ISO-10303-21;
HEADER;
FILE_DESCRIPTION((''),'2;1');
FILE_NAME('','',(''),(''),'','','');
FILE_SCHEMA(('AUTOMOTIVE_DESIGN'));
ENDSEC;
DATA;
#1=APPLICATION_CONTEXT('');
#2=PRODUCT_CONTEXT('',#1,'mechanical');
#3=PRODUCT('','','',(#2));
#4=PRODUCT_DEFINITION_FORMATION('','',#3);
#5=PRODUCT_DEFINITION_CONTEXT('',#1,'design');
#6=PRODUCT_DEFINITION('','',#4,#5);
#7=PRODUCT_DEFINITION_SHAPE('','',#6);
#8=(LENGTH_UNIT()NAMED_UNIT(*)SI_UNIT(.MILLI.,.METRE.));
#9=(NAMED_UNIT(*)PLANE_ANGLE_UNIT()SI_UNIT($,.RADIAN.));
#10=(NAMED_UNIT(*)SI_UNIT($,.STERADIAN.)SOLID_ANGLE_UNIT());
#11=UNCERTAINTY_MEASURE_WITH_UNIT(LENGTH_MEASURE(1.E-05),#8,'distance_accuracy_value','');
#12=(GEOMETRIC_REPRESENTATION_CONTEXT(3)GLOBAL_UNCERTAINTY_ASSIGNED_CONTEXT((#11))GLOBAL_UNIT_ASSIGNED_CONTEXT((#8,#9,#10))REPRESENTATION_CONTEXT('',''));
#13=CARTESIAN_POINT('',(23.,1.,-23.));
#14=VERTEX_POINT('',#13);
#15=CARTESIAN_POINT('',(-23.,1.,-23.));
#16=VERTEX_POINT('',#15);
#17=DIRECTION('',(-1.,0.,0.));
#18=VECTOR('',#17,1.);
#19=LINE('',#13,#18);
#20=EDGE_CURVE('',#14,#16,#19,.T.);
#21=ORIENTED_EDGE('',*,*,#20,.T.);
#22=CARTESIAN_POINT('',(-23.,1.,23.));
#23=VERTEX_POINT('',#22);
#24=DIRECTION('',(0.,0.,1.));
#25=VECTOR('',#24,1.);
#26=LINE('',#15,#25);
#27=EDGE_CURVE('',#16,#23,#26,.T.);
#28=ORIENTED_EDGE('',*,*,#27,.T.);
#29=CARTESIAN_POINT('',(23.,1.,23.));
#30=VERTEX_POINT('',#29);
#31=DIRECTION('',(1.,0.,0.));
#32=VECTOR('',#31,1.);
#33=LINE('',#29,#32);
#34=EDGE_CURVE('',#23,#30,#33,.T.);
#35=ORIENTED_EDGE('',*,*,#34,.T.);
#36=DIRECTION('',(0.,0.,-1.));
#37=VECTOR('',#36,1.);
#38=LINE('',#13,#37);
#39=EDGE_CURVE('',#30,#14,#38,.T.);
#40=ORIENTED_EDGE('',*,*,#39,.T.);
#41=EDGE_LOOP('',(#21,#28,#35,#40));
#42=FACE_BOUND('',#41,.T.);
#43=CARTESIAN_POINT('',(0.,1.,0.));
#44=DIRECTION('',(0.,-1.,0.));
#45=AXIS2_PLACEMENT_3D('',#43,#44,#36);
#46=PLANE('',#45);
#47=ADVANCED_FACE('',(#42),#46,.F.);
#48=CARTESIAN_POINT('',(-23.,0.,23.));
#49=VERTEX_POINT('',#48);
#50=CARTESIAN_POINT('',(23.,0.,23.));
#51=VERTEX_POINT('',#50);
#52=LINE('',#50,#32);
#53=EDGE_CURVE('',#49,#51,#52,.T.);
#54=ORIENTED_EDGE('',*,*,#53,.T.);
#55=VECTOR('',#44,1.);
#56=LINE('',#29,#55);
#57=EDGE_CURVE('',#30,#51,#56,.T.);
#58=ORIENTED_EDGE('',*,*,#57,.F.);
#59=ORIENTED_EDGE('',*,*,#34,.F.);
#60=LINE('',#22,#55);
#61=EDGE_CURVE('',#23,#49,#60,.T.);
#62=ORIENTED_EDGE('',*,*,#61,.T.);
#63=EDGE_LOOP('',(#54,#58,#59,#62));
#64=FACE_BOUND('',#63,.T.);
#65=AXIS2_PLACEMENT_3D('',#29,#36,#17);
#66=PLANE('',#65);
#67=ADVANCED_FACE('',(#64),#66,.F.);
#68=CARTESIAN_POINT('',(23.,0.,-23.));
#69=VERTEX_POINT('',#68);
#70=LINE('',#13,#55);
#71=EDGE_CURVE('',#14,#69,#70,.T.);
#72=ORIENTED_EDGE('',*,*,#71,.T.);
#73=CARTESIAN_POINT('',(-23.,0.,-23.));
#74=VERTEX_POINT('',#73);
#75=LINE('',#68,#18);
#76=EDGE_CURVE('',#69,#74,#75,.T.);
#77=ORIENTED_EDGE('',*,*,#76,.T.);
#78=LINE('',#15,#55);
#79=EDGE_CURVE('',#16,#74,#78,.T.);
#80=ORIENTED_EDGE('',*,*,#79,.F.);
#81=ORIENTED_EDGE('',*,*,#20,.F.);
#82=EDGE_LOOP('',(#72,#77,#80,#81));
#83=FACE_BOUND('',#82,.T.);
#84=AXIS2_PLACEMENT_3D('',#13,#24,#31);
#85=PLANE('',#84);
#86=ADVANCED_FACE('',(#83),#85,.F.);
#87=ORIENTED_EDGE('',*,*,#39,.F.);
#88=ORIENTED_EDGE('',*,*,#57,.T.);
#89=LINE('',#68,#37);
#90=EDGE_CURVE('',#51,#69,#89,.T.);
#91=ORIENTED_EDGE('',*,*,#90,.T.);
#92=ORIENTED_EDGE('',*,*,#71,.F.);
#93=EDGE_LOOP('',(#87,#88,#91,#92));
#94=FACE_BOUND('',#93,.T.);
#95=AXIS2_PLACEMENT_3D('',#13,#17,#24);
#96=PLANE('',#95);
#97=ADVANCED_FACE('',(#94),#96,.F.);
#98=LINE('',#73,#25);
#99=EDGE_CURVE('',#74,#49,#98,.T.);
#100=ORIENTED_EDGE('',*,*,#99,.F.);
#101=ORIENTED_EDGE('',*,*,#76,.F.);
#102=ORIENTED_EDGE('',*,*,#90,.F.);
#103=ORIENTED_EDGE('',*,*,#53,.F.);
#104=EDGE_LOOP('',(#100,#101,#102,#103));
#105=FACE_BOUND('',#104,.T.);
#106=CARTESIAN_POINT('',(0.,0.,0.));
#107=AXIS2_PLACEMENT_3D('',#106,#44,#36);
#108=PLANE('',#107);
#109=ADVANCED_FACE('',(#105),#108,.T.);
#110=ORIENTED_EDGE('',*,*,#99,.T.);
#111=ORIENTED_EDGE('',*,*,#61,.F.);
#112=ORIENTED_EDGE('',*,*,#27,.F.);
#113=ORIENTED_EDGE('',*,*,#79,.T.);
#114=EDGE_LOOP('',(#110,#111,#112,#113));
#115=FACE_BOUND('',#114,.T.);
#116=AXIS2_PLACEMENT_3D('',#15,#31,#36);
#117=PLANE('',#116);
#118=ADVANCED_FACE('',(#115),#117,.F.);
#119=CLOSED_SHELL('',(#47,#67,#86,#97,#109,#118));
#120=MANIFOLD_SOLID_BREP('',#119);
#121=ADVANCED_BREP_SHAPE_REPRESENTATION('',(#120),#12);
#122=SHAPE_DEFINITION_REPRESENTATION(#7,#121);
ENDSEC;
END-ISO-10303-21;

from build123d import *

# Parameters (mm, degrees)
SKETCH1_W           = 46
SKETCH1_H           = 46
BOSS_EXTRUDE1_DEPTH = 1


with BuildPart() as part:
    # Sketch1 → Boss-Extrude1 (new body)
    with BuildSketch(Plane(origin=(0, 0, 0), x_dir=(1, 0, 0), z_dir=(0, 1, 0))):
        Rectangle(SKETCH1_W, SKETCH1_H)
    extrude(amount=BOSS_EXTRUDE1_DEPTH)


solid = part.part
